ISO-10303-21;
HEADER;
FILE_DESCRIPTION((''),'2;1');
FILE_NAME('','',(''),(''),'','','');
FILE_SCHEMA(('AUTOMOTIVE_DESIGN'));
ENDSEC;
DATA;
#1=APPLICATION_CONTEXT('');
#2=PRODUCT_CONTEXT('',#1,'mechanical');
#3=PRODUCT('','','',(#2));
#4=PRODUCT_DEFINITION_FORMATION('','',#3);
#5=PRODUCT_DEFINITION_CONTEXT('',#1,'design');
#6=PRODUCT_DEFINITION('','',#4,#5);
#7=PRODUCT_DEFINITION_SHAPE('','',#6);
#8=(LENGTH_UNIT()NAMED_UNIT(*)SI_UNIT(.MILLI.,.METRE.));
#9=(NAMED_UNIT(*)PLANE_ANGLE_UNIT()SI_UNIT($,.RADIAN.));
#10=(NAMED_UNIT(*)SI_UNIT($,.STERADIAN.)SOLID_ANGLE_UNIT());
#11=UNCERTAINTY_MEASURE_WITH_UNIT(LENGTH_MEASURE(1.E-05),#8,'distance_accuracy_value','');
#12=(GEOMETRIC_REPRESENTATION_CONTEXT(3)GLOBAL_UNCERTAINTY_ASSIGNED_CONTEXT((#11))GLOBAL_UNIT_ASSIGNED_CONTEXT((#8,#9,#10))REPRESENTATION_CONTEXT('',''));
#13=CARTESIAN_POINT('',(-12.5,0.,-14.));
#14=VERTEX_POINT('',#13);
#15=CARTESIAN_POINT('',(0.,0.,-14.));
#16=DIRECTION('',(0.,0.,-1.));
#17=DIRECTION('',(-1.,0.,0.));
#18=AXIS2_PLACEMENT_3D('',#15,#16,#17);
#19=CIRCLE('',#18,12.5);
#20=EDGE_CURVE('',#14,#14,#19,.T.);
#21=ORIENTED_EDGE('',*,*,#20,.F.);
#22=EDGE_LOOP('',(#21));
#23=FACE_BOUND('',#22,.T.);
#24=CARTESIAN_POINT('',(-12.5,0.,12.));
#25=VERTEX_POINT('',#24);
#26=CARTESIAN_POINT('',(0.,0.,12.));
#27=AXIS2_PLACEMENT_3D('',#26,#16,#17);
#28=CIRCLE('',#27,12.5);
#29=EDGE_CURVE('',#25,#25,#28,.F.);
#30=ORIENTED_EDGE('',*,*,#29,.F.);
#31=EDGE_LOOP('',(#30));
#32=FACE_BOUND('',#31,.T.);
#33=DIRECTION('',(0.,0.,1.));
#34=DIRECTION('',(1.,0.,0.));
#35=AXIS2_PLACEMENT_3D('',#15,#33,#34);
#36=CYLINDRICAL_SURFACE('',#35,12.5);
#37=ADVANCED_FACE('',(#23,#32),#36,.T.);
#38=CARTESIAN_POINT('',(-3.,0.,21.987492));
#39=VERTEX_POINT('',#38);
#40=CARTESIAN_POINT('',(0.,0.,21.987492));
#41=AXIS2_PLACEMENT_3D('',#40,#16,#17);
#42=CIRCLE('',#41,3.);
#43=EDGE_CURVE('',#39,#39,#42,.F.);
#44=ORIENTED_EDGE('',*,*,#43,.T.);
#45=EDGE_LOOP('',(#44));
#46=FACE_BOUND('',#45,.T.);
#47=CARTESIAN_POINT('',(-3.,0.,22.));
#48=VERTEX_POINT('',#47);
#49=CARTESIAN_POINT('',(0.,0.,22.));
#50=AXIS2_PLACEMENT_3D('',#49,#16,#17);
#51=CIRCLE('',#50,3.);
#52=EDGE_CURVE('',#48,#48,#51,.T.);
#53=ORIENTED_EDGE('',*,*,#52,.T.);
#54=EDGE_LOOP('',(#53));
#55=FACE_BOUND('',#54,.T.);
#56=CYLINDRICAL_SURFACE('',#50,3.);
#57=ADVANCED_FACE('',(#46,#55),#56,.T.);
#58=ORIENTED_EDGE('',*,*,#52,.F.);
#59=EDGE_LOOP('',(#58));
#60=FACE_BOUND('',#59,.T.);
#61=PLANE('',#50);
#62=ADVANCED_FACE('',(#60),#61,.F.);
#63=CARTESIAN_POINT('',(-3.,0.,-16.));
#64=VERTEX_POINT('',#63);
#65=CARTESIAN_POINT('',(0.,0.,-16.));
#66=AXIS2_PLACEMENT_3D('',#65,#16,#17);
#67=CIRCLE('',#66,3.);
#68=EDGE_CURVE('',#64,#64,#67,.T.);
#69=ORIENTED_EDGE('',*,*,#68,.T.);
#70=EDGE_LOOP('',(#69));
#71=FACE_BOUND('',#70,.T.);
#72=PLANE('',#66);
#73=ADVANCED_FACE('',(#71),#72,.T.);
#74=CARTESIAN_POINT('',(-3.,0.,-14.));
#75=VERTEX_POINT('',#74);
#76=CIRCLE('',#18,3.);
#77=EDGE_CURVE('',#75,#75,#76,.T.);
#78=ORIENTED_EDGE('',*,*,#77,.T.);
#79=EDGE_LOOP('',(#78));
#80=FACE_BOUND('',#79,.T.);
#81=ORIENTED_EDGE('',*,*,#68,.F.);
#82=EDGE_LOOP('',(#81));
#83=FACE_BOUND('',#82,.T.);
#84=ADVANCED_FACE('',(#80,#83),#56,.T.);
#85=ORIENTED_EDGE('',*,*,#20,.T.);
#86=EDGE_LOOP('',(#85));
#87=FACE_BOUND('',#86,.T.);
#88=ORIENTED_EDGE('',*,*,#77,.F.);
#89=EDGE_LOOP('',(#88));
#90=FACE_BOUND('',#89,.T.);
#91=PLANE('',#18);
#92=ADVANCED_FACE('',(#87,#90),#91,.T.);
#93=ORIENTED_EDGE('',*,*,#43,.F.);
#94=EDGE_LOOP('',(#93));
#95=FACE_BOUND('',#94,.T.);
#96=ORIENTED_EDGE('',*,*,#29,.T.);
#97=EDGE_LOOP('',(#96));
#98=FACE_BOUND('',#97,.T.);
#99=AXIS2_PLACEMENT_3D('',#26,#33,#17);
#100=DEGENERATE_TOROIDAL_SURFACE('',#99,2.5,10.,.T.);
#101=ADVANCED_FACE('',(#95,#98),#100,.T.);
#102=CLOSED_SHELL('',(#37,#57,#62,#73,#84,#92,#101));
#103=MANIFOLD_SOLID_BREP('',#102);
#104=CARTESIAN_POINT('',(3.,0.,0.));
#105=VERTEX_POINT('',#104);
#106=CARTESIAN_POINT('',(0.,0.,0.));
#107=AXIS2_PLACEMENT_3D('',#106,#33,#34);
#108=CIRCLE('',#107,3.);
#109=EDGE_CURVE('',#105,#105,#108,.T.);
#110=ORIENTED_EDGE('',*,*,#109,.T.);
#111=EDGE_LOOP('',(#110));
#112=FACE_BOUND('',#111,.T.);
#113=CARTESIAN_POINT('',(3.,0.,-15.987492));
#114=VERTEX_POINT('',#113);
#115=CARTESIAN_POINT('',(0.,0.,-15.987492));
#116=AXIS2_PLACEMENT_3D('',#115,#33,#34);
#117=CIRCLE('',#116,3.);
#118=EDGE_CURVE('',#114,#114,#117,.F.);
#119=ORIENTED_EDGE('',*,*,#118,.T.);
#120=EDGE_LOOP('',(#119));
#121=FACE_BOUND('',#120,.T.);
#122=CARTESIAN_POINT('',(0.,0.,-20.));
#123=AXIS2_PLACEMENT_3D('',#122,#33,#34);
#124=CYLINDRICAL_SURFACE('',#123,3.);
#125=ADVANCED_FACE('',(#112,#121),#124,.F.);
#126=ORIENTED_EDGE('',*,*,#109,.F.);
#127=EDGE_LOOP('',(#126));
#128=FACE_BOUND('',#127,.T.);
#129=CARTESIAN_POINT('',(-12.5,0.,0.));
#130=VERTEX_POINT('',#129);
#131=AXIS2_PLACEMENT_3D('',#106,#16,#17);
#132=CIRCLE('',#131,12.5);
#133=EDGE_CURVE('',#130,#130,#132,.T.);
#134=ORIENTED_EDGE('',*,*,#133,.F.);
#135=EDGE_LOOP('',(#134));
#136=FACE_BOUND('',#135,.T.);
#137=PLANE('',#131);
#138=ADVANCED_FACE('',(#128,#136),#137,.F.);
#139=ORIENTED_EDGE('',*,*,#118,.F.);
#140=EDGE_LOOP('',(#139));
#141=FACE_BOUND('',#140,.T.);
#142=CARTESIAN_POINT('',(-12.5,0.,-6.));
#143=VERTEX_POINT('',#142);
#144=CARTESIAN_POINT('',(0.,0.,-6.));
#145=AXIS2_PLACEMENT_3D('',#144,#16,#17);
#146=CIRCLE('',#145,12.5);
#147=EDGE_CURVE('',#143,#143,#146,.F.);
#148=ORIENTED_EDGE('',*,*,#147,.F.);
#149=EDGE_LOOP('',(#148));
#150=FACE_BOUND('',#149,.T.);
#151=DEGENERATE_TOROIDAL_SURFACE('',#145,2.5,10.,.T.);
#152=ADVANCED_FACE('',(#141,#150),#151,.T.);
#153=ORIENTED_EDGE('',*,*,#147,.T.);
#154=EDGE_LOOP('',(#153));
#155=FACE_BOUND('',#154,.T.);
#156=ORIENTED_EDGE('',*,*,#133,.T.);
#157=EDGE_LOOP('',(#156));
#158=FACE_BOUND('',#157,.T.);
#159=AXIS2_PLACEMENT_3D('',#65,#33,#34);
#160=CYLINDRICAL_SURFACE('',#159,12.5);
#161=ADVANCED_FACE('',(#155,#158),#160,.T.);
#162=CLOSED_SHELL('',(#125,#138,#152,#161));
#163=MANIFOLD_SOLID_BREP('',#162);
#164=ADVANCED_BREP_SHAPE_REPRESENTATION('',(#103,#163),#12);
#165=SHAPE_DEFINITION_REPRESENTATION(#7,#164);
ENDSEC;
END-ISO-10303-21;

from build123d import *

# Parameters (mm, degrees)
CROQUIS1_R                   = 9.5
CROQUIS1_R_2                 = 3
SALIENTE_EXTRUIR1_DEPTH      = 6
CROQUIS3_R                   = 12.5
SALIENTE_EXTRUIR3_DEPTH      = 16
REDONDEO1_R                  = 10
CROQUIS5_R                   = 3
CORTAR_EXTRUIR1_DEPTH        = 20
CROQUIS6_R                   = 3
SALIENTE_EXTRUIR4_DEPTH      = 22
SALIENTE_EXTRUIR4_DEPTH_BACK = 16
CROQUIS9_R                   = 12.5
SALIENTE_EXTRUIR5_DEPTH      = 20


with BuildPart() as part:
    # Croquis1 → Saliente-Extruir1 (new body)
    with BuildSketch(Plane.XY):
        Circle(CROQUIS1_R)
        Circle(CROQUIS1_R_2, mode=Mode.SUBTRACT)
    extrude(amount=SALIENTE_EXTRUIR1_DEPTH)



with BuildPart() as body_2:
    # Croquis3 → Saliente-Extruir3 (new body)
    with BuildSketch(Plane(origin=(0, 0, 0), x_dir=(-1, 0, 0), z_dir=(0, 0, -1))):
        Circle(CROQUIS3_R)
    extrude(amount=SALIENTE_EXTRUIR3_DEPTH)

    # Redondeo1
    redondeo1_edges = [body_2.edges().sort_by_distance(p)[0] for p in [
        (12.5, 0, -16),
    ]]
    fillet(redondeo1_edges, radius=REDONDEO1_R)

    # Croquis5 → Cortar-Extruir1 (cut)
    with BuildSketch(Plane.XY):
        Circle(CROQUIS5_R)
    extrude(amount=-CORTAR_EXTRUIR1_DEPTH, mode=Mode.SUBTRACT)


with BuildPart() as body_3:
    # Simetría1: mirrored copy
    add(body_2.part.mirror(Plane(origin=(0, 0, 3), x_dir=(1, 0, 0), z_dir=(0, 0, -1))))


with BuildPart() as body_4:
    # Croquis6 → Saliente-Extruir4 (new body, two sides)
    with BuildSketch(Plane(origin=(0, 0, 6), x_dir=(-1, 0, 0), z_dir=(0, 0, -1))) as saliente_extruir4_sk:
        Circle(CROQUIS6_R)
    extrude(amount=SALIENTE_EXTRUIR4_DEPTH)
    extrude(saliente_extruir4_sk.sketch, amount=-SALIENTE_EXTRUIR4_DEPTH_BACK)


with BuildPart() as part_1:
    add(part.part)

    add(body_3.part)  # Saliente-Extruir5 merges body 3

    add(body_4.part)  # Saliente-Extruir5 merges body 4
    # Croquis9 → Saliente-Extruir5 (add)
    with BuildSketch(Plane(origin=(0, 0, 6), x_dir=(-1, 0, 0), z_dir=(0, 0, -1))):
        Circle(CROQUIS9_R)
    extrude(amount=SALIENTE_EXTRUIR5_DEPTH)


solid = Compound([body_2.part, part_1.part])
